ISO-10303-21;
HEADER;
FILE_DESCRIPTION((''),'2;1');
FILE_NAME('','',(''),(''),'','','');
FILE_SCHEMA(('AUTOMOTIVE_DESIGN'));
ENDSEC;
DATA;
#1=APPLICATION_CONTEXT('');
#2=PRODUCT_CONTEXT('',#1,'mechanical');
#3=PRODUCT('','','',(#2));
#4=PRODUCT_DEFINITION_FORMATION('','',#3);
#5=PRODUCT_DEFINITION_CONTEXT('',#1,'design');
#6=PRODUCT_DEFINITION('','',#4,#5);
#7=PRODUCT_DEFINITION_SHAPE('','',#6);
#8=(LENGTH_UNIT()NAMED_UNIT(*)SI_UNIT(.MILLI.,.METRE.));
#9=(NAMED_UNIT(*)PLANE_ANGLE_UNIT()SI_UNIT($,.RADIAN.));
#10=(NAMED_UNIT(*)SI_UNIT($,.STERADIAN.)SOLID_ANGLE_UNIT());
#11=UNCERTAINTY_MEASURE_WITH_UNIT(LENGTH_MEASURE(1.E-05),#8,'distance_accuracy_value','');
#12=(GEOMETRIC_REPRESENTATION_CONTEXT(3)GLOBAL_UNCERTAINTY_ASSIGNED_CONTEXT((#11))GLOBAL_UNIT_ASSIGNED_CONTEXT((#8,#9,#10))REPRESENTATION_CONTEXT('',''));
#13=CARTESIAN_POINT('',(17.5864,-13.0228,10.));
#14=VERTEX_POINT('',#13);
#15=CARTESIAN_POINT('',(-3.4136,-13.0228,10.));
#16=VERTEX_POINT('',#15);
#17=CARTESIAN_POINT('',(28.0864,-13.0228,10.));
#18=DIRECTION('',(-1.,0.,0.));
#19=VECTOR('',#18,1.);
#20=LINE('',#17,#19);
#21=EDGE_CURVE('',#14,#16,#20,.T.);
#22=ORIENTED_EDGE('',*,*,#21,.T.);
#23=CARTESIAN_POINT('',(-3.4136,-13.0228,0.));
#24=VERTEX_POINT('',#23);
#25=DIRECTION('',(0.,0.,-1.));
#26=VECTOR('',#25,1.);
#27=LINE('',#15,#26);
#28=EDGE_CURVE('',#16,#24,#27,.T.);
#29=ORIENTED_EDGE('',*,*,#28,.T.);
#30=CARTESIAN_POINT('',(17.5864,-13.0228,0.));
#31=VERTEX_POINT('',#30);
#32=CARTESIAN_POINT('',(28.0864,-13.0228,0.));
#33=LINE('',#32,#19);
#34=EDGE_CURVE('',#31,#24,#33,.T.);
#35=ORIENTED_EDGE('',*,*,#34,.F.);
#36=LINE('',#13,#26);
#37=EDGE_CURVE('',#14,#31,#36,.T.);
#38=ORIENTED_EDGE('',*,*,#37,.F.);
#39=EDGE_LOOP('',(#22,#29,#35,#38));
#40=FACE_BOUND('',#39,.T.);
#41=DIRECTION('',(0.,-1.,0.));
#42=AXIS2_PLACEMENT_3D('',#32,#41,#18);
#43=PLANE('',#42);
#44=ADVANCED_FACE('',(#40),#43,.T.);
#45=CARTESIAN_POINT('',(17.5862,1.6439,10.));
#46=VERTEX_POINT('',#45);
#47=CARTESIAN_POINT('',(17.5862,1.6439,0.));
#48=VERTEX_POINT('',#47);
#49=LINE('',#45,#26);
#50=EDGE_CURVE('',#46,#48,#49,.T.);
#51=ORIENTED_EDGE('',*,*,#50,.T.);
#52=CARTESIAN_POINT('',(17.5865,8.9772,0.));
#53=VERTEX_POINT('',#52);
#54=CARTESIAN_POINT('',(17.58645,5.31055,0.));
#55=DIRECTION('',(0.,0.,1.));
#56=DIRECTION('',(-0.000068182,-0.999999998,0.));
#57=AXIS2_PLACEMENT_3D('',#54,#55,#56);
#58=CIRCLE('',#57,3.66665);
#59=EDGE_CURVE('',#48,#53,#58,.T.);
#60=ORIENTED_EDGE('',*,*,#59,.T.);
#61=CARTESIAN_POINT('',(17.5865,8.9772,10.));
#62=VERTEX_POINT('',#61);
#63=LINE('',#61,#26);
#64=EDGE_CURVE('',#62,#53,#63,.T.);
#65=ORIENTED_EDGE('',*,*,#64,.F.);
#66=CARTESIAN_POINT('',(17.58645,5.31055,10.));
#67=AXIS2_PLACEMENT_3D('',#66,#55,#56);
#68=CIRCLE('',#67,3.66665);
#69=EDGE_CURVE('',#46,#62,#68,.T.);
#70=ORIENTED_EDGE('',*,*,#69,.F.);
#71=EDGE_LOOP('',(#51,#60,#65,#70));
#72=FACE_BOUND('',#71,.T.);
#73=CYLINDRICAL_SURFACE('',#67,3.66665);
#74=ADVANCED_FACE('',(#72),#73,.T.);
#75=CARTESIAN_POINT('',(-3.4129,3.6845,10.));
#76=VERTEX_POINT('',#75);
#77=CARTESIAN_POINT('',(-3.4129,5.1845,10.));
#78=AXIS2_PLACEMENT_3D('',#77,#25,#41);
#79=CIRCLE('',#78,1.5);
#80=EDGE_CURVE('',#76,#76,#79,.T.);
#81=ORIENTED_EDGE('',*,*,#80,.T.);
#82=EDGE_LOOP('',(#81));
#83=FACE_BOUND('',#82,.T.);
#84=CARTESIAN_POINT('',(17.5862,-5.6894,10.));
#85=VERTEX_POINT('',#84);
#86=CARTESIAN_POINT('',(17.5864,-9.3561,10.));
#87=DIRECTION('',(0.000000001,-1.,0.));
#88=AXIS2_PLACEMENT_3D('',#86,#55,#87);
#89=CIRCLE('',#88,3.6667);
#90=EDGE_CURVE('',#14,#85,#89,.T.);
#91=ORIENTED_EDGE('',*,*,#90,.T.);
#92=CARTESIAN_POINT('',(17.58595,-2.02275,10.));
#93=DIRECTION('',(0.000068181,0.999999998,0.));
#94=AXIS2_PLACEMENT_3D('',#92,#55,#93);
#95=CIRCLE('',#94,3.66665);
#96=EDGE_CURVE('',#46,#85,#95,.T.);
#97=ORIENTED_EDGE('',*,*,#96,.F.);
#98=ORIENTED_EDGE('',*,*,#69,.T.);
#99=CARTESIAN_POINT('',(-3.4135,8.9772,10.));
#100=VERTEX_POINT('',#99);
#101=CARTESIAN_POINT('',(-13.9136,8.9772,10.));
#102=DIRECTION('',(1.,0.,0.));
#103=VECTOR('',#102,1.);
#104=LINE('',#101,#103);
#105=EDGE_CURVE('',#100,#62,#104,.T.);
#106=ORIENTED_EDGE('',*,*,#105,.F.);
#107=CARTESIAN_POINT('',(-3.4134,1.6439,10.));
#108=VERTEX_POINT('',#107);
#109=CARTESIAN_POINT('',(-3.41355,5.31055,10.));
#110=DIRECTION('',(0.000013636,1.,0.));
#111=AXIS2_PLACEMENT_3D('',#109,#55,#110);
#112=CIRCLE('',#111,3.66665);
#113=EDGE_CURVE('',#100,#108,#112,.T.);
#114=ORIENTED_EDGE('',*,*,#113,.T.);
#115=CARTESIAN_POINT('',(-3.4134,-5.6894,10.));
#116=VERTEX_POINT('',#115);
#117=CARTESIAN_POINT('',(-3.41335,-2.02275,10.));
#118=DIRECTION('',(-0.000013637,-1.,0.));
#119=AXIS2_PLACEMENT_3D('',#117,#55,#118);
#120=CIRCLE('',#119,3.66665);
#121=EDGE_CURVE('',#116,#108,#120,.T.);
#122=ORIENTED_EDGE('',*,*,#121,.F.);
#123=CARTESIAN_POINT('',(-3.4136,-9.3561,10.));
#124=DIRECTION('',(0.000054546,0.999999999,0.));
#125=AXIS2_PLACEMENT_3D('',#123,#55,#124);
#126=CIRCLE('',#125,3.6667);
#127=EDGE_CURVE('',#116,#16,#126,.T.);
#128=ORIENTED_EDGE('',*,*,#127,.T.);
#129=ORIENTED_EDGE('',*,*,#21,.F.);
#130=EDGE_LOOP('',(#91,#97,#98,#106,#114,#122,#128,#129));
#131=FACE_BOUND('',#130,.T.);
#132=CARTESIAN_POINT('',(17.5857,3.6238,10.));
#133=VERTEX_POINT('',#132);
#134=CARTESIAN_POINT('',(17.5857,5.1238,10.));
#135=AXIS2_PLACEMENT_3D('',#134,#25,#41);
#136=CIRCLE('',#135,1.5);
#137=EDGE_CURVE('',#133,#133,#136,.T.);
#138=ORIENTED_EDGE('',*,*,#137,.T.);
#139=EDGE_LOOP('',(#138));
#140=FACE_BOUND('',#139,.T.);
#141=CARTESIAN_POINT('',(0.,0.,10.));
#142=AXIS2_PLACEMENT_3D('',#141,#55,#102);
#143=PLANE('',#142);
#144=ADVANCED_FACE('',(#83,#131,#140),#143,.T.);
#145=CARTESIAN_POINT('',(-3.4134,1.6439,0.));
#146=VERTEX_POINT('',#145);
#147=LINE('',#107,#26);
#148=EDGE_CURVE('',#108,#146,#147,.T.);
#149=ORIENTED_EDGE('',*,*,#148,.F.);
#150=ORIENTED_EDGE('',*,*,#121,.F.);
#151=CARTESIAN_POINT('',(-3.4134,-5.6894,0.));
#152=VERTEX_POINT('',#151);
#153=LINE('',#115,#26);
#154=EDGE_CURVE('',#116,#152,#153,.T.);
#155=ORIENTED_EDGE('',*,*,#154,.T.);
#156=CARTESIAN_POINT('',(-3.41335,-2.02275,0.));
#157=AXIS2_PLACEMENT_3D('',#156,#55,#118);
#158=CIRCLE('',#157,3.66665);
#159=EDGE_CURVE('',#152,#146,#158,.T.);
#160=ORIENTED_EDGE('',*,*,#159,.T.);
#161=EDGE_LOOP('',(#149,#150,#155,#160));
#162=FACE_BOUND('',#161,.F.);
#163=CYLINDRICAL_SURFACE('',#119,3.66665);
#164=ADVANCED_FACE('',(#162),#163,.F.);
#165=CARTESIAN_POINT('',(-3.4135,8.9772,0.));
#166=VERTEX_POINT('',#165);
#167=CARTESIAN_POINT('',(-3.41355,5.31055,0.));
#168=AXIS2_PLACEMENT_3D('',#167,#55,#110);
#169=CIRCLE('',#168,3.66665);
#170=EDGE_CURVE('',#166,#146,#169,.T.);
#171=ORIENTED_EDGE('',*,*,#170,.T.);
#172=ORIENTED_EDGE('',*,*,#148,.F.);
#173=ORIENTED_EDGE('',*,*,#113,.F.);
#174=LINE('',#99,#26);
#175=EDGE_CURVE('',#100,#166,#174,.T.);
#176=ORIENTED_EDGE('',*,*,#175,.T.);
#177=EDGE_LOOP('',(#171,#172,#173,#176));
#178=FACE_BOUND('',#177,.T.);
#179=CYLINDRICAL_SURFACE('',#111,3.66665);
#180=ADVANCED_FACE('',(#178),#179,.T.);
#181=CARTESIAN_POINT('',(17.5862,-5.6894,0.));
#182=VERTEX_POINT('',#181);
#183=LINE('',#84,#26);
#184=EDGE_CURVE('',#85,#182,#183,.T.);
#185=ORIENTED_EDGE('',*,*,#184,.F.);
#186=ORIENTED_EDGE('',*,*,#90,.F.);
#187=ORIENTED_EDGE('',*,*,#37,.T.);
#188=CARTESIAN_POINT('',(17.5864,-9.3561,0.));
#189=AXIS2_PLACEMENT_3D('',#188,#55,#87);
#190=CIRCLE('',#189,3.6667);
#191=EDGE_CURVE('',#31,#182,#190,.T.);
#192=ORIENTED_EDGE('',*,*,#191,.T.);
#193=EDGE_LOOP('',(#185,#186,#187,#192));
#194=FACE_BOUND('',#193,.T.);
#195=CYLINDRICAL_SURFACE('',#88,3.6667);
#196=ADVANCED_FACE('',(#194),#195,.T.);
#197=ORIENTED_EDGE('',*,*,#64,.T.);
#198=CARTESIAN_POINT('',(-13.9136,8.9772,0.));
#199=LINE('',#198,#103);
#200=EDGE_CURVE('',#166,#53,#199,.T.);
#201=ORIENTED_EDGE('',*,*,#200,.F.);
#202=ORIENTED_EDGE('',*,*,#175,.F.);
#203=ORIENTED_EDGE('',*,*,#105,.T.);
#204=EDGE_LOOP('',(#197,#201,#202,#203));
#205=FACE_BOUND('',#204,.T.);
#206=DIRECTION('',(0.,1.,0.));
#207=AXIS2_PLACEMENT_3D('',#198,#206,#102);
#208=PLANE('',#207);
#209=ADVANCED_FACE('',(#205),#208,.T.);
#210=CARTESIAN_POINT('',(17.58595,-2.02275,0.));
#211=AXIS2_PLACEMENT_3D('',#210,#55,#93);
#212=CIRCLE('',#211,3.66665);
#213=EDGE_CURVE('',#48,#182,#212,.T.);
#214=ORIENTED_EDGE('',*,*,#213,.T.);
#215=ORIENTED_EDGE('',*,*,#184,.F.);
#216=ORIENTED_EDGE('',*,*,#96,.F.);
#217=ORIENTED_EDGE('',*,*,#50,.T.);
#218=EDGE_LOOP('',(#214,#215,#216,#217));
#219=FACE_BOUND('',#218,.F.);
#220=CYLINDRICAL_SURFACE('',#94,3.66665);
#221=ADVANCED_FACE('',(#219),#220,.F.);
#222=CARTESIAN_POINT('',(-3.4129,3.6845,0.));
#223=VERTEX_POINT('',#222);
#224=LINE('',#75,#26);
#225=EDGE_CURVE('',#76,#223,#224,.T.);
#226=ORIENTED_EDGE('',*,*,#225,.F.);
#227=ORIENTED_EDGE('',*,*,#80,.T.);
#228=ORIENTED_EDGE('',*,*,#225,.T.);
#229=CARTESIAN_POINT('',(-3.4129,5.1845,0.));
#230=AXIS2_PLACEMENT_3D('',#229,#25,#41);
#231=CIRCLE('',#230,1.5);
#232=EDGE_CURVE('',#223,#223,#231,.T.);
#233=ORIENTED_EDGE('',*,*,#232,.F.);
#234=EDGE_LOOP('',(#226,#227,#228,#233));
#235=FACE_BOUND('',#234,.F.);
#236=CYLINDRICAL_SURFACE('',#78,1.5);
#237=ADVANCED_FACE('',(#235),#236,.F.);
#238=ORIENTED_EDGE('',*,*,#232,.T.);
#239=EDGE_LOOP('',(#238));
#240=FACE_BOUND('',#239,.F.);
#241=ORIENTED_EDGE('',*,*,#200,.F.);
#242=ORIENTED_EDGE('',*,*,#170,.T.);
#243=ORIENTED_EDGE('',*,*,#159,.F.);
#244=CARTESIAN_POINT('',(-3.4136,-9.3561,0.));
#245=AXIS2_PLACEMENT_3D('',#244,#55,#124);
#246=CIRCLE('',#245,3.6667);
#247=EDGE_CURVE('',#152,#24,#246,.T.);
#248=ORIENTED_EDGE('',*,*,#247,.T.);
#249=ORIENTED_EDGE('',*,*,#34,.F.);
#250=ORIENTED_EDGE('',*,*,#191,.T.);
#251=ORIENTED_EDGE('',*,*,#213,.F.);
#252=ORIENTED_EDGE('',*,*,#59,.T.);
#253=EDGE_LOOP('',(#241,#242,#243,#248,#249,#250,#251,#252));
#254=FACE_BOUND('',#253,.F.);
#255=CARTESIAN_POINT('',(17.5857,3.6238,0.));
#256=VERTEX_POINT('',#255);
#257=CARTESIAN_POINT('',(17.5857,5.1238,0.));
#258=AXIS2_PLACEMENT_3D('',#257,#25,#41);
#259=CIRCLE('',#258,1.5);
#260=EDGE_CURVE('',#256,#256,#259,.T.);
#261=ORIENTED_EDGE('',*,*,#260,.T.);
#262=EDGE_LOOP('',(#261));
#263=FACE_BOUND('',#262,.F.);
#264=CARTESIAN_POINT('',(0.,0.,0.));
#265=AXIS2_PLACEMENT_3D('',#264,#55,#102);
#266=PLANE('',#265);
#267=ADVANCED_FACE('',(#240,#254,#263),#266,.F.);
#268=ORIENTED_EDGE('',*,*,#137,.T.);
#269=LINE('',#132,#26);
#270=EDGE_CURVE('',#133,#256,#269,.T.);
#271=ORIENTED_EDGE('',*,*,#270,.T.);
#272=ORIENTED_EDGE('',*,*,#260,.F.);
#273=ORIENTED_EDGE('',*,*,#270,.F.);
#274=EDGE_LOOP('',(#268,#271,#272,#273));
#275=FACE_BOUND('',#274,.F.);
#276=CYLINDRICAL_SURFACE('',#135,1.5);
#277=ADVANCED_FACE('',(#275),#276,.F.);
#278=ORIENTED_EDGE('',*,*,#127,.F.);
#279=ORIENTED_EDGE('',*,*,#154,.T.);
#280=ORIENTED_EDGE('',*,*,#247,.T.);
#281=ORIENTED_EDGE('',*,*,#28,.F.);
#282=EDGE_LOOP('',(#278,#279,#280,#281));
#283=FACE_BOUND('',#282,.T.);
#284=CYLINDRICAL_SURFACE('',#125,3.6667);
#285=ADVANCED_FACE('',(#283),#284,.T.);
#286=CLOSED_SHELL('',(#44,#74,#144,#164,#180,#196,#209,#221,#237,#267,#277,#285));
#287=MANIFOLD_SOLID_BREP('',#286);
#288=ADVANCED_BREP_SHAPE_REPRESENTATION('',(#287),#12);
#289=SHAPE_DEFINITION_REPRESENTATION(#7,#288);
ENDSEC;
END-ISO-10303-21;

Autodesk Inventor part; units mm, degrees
ref_plane "YZ Plane" through (0, 0, 0) normal (1, 0, 0) x (0, 1, 0)
ref_plane "XZ Plane" through (0, 0, 0) normal (0, 1, 0) x (-1, 0, 0)
ref_plane "XY Plane" through (0, 0, 0) normal (0, 0, 1) x (1, 0, 0)
sketch "Sketch1" plane through (0, 0, 0) normal (0, 0, 1) x (1, 0, 0)
  line L0 (-13.9136, 8.9772) -> (28.0864, 8.9772)
  line L1 (28.0864, 8.9772) -> (28.0864, -13.0228)
  line L2 (28.0864, -13.0228) -> (-13.9136, -13.0228)
  line L3 (-13.9136, -13.0228) -> (-13.9136, 8.9772)
  point P0 (0, 0)
  dimension "d0" = 42
  dimension "d1" = 22
extrude "Extrusion1" add sketch "Sketch1" along normal blind 10
sketch "Sketch2" plane through (0, 0, 10) normal (0, 0, 1) x (1, 0, 0)
  line L0 (-13.9136, -13.0228) -> (28.0864, -13.0228) projected
  arc A0 (-3.4134, -5.6894) -> (-3.4136, -13.0228) centre (-3.4136, -9.3561) ccw
  arc A1 (-3.4134, -5.6894) -> (-3.4134, 1.6439) centre (-3.4133, -2.0228) ccw
  arc A2 (17.5864, -13.0228) -> (17.5862, -5.6894) centre (17.5864, -9.3561) ccw
  arc A3 (17.5862, 1.6439) -> (17.5862, -5.6894) centre (17.586, -2.0228) ccw
  line L1 (-3.4136, -13.0228) -> (17.5864, -13.0228)
  line L2 (-3.4135, 8.9772) -> (17.5865, 8.9772)
  line L3 (28.0864, 8.9772) -> (-13.9136, 8.9772) projected
  line L4 (-3.4133, -2.0228) -> (-3.4136, -9.3561) construction
  line L5 (17.5864, -9.3561) -> (17.586, -2.0228) construction
  arc A4 (-3.4135, 8.9772) -> (-3.4134, 1.6439) centre (-3.4136, 5.3106) ccw
  arc A5 (17.5862, 1.6439) -> (17.5865, 8.9772) centre (17.5864, 5.3106) ccw
  line L6 (-3.4133, -2.0228) -> (-13.9136, -2.0228) construction
  line L7 (17.586, -2.0228) -> (28.0864, -2.0228) construction
  line L8 (28.0864, -13.0228) -> (28.0864, 8.9772) construction
  line L9 (-13.9136, 8.9772) -> (-13.9136, -13.0228) projected
  line L10 (-7.0803, -9.356) -> (-13.9136, -9.356) construction
  line L11 (21.2531, -9.356) -> (28.0864, -9.356) construction
  line L12 (-13.9136, -13.0228) -> (28.0864, -13.0228)
  line L13 (28.0864, -13.0228) -> (28.0864, 8.9772)
  line L14 (28.0864, 8.9772) -> (-13.9136, 8.9772)
  line L15 (-13.9136, 8.9772) -> (-13.9136, -13.0228)
  line L16 (-7.0803, 5.3105) -> (-13.9136, 5.3105) construction
  line L17 (21.2531, 5.3105) -> (28.0864, 5.3105) construction
  point P0 (0, 0)
  point P1 (17.8152, 8.9772)
  point P2 (-3.4136, 8.9772)
  point P3 (-3.4136, 8.9772)
  dimension "d4" = 21
  dimension "d5" = 22
  dimension "d17" = 21
extrude "Extrusion2" cut sketch "Sketch2" against normal blind 10 contours L9 L3 A4 A1 A0 L0 | A2 A3 A5 L3 L13 L0
sketch "Sketch3" plane through (0, 0, 10) normal (0, 0, 1) x (1, 0, 0)
  arc A0 (-3.4134, -5.6894) -> (-3.4134, 1.6439) centre (-3.4133, -2.0228) ccw construction
  line L0 (-7.2207, -5.6893) -> (3.1864, -5.6897) construction
  line L1 (20.3968, -5.6893) -> (9.686, -5.6898) construction
  arc A1 (-3.4134, -5.6894) -> (-3.4136, -13.0228) centre (-3.4136, -9.3561) ccw construction
  arc A2 (-3.4134, -5.6894) -> (-3.4134, 1.6439) centre (-3.4133, -2.0228) ccw construction
  arc A3 (17.5864, -13.0228) -> (17.5862, -5.6894) centre (17.5864, -9.3561) ccw construction
  arc A4 (17.5862, 1.6439) -> (17.5862, -5.6894) centre (17.586, -2.0228) ccw construction
  line L2 (-3.4137, -11.3763) -> (-3.4129, 5.1845) construction
  line L3 (17.5866, -13.0364) -> (17.5857, 5.1238) construction
  arc A5 (17.5862, 1.6439) -> (17.5862, -5.6894) centre (17.586, -2.0228) ccw construction
  point P0 (0, 0)
hole "Hole1" at (-3.4129, 5.1845, 10) at (17.5857, 5.1238, 10) direction (0, 0, -1) diameter 3 end through all
properties part number "Zipperteethv6"
